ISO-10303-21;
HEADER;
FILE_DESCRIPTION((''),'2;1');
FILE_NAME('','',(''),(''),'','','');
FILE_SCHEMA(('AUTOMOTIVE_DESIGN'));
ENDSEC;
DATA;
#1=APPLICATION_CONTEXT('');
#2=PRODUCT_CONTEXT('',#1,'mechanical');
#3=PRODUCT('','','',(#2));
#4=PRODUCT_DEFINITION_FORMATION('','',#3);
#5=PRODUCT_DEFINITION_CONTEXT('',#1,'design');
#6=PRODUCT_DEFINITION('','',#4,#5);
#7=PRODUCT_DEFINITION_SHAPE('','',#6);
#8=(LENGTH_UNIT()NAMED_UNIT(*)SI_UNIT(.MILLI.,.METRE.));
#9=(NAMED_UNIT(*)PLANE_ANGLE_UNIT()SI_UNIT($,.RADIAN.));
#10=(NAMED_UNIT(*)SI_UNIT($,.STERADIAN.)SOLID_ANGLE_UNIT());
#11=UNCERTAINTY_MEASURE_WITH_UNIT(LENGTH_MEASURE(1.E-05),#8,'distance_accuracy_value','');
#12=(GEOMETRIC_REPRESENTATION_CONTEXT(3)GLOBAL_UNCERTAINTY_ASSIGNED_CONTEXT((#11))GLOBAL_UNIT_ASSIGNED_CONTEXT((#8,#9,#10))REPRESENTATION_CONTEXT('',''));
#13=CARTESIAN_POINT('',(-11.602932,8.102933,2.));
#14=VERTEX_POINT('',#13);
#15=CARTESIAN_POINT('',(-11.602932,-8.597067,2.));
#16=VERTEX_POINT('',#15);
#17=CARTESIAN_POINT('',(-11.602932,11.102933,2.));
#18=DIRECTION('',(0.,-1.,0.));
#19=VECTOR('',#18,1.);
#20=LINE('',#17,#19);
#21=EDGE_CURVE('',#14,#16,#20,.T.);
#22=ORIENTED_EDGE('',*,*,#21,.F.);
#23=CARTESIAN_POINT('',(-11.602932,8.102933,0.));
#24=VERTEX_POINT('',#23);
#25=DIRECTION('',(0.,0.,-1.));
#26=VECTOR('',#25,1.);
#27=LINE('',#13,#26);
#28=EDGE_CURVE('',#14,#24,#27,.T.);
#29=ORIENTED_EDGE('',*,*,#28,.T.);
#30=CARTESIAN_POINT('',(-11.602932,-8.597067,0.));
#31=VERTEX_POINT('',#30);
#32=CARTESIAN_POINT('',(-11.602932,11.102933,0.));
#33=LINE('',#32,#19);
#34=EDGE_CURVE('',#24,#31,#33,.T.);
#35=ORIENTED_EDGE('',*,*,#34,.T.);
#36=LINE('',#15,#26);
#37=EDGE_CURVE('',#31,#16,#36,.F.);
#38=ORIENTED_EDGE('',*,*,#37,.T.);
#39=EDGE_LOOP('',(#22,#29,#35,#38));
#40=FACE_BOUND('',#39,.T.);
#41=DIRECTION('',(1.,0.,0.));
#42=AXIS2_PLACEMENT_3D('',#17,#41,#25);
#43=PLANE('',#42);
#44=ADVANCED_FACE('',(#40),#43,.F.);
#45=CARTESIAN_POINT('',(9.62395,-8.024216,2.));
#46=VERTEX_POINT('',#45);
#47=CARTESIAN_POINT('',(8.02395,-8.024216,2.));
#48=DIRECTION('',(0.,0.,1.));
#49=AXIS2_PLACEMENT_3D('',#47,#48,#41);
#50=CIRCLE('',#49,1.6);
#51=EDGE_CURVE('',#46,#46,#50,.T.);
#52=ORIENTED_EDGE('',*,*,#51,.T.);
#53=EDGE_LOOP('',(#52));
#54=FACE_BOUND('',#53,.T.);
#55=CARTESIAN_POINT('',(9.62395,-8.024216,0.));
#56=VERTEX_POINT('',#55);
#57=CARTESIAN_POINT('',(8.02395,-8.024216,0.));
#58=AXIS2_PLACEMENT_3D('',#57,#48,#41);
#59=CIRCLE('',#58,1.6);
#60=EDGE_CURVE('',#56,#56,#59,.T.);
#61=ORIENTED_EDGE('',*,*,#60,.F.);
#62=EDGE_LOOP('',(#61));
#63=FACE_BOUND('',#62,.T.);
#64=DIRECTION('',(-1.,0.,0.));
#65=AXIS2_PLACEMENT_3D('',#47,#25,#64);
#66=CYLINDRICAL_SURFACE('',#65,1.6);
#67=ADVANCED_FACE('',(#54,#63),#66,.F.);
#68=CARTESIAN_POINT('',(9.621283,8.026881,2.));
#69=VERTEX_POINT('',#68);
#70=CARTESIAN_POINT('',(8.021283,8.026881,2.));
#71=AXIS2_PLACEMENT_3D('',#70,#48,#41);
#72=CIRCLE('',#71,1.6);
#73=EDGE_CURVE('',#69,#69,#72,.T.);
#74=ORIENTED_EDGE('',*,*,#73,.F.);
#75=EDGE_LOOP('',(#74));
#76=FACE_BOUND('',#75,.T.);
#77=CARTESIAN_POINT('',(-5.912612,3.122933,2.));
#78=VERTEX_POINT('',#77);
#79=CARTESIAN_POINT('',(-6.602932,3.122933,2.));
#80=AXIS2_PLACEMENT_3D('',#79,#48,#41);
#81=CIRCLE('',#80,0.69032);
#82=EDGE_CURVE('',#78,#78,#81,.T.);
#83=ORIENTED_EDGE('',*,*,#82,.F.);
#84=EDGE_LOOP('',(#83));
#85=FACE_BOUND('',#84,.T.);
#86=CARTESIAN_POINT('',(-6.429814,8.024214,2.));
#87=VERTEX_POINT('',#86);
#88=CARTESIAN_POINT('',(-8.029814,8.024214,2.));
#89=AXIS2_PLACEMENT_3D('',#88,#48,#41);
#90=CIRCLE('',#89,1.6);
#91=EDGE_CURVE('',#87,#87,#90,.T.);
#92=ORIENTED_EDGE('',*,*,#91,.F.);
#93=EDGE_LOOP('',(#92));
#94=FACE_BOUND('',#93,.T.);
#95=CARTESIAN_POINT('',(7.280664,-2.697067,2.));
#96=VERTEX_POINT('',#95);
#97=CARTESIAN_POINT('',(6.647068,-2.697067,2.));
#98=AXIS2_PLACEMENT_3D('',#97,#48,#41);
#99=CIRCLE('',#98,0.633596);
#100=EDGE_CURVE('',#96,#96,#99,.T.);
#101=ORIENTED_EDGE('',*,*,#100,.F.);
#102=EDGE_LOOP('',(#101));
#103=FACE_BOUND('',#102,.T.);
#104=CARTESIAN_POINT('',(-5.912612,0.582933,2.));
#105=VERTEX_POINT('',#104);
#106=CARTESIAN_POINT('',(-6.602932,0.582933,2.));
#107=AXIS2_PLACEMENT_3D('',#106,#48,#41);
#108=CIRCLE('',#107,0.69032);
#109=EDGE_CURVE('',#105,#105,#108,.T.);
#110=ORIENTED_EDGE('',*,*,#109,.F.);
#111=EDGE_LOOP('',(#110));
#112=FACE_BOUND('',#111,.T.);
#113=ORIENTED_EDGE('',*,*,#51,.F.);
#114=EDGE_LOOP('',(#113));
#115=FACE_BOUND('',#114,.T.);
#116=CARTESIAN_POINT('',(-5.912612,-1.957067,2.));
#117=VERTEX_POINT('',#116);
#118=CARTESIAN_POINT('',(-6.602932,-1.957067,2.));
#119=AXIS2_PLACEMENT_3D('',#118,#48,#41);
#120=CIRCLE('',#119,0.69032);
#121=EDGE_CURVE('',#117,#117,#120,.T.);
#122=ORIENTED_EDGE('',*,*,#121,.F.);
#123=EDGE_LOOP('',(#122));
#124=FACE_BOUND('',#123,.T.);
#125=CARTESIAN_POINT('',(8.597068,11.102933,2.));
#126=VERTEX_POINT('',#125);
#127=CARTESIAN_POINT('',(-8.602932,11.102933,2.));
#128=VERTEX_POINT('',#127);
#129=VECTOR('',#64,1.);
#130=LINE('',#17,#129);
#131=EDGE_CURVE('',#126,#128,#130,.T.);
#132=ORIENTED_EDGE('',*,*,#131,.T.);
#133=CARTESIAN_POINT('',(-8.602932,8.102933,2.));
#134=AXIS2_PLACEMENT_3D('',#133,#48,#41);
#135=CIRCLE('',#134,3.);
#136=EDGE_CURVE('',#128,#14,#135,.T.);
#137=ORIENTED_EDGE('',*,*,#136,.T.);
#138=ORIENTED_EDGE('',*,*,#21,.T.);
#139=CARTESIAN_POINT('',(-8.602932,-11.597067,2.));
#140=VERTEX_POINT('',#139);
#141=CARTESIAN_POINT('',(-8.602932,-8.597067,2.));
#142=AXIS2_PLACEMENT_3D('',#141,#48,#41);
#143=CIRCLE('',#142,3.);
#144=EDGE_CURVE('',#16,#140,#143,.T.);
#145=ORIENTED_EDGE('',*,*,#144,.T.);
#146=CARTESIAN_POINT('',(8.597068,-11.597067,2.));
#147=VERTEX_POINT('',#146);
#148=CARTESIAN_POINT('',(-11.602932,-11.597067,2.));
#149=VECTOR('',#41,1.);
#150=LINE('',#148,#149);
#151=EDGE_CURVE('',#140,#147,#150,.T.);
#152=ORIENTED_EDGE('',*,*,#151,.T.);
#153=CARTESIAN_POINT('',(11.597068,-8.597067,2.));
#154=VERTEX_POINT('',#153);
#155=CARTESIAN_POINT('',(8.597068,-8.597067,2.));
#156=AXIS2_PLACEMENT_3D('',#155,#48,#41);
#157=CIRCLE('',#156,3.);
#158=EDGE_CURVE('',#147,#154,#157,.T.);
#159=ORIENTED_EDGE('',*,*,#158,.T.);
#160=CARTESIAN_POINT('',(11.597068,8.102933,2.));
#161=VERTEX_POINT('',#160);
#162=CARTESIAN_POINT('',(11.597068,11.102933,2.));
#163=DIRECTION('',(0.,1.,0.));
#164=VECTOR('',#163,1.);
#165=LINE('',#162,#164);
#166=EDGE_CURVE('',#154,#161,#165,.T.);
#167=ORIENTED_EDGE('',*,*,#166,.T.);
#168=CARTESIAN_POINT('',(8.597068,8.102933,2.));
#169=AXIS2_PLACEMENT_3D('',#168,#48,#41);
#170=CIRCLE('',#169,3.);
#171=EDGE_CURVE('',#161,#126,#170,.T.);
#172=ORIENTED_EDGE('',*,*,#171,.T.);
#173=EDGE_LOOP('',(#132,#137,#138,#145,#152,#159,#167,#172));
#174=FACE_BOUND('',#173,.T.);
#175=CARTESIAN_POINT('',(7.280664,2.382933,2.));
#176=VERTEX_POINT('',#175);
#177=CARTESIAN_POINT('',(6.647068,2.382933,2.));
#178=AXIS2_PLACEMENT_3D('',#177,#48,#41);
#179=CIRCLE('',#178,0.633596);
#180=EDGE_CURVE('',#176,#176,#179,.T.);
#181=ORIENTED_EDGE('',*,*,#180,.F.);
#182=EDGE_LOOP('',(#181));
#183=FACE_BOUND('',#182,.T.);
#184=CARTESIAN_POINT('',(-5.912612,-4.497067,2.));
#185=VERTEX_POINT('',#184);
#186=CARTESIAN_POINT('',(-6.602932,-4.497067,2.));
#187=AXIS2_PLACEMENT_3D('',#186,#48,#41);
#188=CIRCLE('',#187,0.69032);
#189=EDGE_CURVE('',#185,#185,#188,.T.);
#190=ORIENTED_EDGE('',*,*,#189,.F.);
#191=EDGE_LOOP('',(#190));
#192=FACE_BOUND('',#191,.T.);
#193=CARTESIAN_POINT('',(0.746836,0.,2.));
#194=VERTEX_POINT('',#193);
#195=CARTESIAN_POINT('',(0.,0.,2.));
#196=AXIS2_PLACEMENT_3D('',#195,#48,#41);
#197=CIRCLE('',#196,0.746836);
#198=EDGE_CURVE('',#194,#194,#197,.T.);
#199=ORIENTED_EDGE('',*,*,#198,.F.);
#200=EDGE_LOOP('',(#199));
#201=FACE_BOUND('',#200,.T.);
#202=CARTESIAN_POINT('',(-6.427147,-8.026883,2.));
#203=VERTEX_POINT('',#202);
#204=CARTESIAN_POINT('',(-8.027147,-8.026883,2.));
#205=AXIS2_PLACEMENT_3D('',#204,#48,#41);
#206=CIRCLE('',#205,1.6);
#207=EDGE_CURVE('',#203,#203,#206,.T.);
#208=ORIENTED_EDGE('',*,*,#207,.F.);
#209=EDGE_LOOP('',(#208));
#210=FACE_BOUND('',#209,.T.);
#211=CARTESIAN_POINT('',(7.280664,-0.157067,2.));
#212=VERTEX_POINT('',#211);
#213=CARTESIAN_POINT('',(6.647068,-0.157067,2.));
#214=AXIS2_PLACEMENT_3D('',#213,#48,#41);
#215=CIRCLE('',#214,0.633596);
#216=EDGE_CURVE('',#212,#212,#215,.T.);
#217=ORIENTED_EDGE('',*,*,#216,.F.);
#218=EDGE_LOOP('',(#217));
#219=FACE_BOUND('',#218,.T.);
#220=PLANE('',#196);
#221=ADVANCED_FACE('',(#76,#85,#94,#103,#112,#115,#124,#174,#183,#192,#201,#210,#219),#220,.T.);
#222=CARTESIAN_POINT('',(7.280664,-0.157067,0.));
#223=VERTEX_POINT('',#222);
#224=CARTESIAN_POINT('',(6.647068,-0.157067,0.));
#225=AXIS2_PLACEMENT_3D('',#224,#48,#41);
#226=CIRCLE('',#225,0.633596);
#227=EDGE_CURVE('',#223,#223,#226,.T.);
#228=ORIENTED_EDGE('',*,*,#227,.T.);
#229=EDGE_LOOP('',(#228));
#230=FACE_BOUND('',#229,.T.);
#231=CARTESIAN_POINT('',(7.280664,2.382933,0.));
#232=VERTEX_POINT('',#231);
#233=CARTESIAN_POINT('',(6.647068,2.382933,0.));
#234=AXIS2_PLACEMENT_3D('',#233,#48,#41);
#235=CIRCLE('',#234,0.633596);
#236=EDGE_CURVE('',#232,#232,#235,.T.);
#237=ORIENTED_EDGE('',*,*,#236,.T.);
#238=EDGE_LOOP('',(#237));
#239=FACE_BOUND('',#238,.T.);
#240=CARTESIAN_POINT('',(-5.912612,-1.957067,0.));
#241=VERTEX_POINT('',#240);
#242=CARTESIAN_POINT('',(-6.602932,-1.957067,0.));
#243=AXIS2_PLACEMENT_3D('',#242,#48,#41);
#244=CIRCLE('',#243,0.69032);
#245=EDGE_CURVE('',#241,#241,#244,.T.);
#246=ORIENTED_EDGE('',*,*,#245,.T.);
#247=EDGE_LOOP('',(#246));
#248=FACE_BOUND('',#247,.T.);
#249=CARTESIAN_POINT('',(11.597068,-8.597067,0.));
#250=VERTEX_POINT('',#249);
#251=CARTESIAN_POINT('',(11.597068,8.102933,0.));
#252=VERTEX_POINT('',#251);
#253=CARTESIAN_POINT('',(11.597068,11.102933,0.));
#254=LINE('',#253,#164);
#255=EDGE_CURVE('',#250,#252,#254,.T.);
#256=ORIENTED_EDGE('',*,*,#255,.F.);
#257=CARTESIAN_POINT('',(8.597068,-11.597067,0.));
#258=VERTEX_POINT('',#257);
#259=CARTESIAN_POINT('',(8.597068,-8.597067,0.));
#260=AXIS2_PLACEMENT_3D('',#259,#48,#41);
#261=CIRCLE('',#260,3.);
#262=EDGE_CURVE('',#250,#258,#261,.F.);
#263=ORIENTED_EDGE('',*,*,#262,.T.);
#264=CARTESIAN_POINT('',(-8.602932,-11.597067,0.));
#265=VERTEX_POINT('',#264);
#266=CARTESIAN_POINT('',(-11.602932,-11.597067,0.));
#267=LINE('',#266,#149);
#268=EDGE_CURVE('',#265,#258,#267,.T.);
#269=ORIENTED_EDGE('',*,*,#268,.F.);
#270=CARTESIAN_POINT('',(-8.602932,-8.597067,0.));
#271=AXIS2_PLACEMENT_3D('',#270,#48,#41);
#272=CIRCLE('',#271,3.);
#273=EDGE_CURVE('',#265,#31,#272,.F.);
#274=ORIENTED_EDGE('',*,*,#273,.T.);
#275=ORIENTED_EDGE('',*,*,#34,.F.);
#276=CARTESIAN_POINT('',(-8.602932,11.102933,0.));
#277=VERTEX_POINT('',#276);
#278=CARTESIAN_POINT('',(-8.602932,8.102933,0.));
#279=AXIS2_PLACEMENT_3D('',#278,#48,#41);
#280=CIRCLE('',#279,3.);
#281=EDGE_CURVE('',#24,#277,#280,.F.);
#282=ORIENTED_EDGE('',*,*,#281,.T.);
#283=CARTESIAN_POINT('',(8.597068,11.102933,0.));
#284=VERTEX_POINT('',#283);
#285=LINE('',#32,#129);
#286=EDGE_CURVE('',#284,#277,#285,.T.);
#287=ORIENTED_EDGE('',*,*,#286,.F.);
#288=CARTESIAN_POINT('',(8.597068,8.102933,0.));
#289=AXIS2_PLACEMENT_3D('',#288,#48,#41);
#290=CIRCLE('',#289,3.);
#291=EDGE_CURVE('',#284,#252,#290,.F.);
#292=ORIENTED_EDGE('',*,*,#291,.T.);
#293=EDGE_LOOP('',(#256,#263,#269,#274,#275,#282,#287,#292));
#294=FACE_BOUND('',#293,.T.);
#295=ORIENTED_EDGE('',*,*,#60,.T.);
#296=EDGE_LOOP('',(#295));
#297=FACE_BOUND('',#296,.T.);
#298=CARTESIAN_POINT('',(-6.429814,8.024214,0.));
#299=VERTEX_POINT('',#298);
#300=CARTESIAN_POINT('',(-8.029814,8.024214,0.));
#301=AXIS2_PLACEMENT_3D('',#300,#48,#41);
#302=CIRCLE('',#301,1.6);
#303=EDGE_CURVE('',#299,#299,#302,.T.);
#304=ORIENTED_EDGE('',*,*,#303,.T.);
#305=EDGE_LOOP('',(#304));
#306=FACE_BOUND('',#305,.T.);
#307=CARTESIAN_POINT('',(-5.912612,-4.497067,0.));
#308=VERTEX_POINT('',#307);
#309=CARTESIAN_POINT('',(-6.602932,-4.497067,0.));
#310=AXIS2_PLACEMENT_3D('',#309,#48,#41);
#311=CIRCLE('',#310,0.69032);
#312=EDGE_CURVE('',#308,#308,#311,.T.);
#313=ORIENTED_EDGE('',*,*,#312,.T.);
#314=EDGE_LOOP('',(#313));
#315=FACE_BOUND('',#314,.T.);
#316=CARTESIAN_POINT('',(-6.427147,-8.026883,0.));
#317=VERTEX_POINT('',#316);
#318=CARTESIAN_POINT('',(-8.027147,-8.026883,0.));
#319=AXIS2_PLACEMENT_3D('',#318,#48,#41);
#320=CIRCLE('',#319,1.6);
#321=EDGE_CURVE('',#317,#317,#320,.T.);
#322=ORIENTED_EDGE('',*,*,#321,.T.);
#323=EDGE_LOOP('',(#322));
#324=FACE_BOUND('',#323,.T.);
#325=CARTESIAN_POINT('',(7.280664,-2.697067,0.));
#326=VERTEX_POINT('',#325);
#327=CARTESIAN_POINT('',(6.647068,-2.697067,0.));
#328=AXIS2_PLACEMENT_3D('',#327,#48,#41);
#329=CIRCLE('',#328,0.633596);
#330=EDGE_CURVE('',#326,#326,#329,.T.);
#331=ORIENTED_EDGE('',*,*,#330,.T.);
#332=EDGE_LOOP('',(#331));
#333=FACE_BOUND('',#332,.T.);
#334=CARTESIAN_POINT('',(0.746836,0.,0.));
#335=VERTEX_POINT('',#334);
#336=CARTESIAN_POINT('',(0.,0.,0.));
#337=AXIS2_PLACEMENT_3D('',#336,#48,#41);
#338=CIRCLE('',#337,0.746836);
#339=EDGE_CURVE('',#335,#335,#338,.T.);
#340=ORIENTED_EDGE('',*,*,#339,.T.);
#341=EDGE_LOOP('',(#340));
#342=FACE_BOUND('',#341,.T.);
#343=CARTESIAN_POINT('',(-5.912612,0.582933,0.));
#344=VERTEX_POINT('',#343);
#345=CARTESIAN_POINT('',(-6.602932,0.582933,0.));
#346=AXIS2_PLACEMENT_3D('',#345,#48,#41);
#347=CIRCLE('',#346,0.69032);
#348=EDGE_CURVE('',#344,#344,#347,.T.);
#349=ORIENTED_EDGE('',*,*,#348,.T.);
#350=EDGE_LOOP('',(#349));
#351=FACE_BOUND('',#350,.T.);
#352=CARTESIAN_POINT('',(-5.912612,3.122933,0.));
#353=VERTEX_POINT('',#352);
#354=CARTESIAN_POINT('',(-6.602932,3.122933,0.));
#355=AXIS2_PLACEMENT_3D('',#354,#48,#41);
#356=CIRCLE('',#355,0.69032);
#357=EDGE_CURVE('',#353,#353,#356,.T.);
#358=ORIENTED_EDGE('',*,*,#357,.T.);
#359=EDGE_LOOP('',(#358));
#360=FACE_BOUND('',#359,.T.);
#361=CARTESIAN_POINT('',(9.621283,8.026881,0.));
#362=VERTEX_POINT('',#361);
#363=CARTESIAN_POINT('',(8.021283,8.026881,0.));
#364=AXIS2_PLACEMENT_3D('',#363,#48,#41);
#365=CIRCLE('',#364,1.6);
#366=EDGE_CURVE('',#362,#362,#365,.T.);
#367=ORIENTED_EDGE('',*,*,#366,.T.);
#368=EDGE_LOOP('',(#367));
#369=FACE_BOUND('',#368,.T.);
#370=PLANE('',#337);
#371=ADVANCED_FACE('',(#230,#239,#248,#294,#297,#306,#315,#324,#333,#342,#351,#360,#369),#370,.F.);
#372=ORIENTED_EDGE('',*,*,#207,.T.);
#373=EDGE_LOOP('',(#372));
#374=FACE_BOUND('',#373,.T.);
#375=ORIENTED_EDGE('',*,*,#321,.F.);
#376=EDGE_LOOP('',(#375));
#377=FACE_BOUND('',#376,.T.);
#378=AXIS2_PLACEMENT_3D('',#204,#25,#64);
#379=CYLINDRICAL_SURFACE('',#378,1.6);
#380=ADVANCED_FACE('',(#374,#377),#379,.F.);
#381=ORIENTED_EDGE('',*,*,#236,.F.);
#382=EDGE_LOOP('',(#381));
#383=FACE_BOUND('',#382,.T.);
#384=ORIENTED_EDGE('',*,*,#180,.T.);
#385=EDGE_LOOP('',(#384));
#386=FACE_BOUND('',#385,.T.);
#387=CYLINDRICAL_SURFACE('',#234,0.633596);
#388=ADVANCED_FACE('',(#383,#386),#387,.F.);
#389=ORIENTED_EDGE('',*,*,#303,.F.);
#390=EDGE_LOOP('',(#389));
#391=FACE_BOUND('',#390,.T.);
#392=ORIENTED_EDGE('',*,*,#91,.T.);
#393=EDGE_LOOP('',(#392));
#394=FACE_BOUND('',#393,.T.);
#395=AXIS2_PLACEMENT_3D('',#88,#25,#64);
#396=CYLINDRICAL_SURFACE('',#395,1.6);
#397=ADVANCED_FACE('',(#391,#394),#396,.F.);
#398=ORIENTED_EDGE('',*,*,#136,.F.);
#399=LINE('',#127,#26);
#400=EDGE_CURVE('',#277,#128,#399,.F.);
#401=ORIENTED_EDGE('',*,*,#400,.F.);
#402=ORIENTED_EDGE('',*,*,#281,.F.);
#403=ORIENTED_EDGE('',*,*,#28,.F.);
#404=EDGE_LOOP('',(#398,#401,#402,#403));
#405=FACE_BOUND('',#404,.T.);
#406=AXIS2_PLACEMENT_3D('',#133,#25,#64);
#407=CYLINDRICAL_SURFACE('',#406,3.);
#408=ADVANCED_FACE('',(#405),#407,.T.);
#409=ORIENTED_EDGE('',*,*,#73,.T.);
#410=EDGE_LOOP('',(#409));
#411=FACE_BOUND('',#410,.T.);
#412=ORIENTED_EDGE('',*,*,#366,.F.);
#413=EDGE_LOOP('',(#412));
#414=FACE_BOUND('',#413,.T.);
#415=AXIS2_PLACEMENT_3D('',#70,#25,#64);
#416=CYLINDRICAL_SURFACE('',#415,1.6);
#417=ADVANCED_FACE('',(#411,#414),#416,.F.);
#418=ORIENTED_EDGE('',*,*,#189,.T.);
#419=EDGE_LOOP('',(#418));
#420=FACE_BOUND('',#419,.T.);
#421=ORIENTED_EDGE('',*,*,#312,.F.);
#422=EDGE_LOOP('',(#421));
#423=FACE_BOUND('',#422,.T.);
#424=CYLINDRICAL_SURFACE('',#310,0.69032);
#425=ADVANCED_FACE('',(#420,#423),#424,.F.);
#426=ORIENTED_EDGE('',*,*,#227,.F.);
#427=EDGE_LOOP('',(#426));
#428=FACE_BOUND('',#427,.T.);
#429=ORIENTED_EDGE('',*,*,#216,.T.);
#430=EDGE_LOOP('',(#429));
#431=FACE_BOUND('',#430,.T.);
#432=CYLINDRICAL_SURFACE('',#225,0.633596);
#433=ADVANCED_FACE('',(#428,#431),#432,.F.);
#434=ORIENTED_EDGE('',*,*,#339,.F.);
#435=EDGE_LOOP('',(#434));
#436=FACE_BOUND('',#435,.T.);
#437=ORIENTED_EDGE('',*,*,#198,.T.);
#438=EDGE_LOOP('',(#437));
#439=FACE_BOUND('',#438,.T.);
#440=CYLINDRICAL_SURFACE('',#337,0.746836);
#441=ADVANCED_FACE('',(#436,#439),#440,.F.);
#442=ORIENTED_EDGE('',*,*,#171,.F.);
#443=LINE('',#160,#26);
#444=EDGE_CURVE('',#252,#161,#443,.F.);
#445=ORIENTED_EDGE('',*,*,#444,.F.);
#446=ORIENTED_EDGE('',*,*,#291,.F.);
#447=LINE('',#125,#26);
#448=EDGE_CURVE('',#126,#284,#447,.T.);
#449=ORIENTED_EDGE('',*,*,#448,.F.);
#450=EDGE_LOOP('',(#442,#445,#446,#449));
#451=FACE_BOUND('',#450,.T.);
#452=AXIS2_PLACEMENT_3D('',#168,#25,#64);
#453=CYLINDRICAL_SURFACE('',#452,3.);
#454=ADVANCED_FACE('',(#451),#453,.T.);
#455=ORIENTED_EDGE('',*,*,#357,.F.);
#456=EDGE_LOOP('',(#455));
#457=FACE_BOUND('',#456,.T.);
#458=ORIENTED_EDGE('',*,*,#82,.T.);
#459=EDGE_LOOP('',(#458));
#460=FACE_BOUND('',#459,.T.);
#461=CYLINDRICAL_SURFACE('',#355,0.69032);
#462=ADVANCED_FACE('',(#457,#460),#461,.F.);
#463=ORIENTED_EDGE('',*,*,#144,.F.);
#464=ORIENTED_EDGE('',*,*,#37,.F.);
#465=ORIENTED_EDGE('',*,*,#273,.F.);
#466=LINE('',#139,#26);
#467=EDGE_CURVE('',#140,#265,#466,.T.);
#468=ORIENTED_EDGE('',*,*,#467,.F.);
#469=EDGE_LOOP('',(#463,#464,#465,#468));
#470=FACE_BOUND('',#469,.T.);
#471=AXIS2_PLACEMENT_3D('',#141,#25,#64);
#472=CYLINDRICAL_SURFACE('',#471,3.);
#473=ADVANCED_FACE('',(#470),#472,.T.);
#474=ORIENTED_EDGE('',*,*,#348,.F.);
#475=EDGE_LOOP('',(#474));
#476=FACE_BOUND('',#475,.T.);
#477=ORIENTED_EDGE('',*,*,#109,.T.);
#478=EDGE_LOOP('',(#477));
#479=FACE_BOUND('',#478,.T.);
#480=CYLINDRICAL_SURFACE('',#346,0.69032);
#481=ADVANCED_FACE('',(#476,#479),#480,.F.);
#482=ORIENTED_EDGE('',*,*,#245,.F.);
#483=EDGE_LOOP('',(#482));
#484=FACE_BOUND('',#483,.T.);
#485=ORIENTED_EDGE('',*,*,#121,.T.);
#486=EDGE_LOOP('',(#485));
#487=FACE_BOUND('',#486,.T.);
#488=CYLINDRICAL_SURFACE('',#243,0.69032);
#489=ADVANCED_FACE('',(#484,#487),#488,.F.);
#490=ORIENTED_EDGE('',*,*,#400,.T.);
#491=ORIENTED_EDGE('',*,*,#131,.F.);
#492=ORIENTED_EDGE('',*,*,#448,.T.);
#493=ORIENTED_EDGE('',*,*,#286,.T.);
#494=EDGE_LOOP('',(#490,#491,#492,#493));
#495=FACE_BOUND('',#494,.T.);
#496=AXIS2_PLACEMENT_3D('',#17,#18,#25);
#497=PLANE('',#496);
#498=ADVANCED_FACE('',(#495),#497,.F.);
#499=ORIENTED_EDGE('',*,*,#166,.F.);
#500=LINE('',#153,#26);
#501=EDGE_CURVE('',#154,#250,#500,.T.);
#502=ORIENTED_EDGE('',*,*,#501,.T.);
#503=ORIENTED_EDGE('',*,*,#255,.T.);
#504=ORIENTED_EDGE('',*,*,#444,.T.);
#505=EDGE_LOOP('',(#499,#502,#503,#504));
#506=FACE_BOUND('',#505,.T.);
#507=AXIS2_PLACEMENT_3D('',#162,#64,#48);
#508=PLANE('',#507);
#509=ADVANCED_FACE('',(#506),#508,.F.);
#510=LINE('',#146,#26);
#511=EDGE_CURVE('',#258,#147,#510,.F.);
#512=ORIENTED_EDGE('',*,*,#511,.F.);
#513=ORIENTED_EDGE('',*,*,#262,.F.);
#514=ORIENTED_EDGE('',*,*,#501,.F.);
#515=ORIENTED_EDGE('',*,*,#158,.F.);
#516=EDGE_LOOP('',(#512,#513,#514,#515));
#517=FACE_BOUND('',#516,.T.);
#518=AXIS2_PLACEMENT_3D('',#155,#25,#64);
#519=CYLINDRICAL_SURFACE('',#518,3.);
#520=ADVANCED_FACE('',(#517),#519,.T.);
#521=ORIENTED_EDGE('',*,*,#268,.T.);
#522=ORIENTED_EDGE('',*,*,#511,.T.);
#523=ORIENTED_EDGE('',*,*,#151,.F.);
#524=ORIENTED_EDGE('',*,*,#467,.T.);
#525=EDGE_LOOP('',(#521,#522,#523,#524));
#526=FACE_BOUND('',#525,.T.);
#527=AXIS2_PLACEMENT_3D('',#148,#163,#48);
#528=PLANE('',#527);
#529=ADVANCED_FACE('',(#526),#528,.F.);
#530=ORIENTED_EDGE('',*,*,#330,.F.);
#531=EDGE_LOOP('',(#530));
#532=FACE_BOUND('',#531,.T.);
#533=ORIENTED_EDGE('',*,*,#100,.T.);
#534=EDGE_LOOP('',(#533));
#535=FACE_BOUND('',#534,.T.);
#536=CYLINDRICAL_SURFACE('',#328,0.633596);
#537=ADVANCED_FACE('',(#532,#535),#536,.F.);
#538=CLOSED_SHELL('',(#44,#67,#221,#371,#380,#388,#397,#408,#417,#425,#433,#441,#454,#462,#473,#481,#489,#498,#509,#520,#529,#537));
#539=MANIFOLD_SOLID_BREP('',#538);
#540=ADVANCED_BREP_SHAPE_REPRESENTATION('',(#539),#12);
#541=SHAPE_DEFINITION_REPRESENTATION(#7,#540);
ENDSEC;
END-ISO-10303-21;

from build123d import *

# Parameters (mm, degrees)
SKETCH1_W           = 23.2
SKETCH1_H           = 22.7
SKETCH1_R           = 1.6
BOSS_EXTRUDE1_DEPTH = 2
FILLET1_R           = 3
SKETCH2_R           = 0.633596253
SKETCH2_R_2         = 0.690319611
CUT_EXTRUDE1_DEPTH  = 3
SKETCH3_R           = 0.746836088
CUT_EXTRUDE2_DEPTH  = 3


with BuildPart() as part:
    # Sketch1 → Boss-Extrude1 (new body)
    with BuildSketch(Plane.XY):
        with Locations((-0.002931945, -0.247067135)):
            Rectangle(SKETCH1_W, SKETCH1_H)
        with Locations((-8.029814258, 8.024213837)):
            Circle(SKETCH1_R, mode=Mode.SUBTRACT)
        with Locations((8.021282811, 8.026881394)):
            Circle(SKETCH1_R, mode=Mode.SUBTRACT)
        with Locations((8.023950367, -8.024215675)):
            Circle(SKETCH1_R, mode=Mode.SUBTRACT)
        with Locations((-8.027146702, -8.026883232)):
            Circle(SKETCH1_R, mode=Mode.SUBTRACT)
    extrude(amount=BOSS_EXTRUDE1_DEPTH)

    # Fillet1
    fillet1_edges = [part.edges().sort_by_distance(p)[0] for p in [
        (11.597068055, -11.597067135, 1),
        (-11.602931945, -11.597067135, 1),
        (-11.602931945, 11.102932865, 1),
        (11.597068055, 11.102932865, 1),
    ]]
    fillet(fillet1_edges, radius=FILLET1_R)

    # Sketch2 → Cut-Extrude1 (cut, through all)
    with BuildSketch(Plane.XY.offset(2)):
        with Locations((6.647068055, -2.697067135)):
            Circle(SKETCH2_R)
        with Locations((6.647068055, -0.157067135)):
            Circle(SKETCH2_R)
        with Locations((6.647068055, 2.382932865)):
            Circle(SKETCH2_R)
        with Locations((-6.602931945, -4.497067135)):
            Circle(SKETCH2_R_2)
        with Locations((-6.602931945, -1.957067135)):
            Circle(SKETCH2_R_2)
        with Locations((-6.602931945, 0.582932865)):
            Circle(SKETCH2_R_2)
        with Locations((-6.602931945, 3.122932865)):
            Circle(SKETCH2_R_2)
    extrude(amount=-CUT_EXTRUDE1_DEPTH, mode=Mode.SUBTRACT)

    # Sketch3 → Cut-Extrude2 (cut, through all)
    with BuildSketch(Plane.XY.offset(2)):
        Circle(SKETCH3_R)
    extrude(amount=-CUT_EXTRUDE2_DEPTH, mode=Mode.SUBTRACT)


solid = part.part
